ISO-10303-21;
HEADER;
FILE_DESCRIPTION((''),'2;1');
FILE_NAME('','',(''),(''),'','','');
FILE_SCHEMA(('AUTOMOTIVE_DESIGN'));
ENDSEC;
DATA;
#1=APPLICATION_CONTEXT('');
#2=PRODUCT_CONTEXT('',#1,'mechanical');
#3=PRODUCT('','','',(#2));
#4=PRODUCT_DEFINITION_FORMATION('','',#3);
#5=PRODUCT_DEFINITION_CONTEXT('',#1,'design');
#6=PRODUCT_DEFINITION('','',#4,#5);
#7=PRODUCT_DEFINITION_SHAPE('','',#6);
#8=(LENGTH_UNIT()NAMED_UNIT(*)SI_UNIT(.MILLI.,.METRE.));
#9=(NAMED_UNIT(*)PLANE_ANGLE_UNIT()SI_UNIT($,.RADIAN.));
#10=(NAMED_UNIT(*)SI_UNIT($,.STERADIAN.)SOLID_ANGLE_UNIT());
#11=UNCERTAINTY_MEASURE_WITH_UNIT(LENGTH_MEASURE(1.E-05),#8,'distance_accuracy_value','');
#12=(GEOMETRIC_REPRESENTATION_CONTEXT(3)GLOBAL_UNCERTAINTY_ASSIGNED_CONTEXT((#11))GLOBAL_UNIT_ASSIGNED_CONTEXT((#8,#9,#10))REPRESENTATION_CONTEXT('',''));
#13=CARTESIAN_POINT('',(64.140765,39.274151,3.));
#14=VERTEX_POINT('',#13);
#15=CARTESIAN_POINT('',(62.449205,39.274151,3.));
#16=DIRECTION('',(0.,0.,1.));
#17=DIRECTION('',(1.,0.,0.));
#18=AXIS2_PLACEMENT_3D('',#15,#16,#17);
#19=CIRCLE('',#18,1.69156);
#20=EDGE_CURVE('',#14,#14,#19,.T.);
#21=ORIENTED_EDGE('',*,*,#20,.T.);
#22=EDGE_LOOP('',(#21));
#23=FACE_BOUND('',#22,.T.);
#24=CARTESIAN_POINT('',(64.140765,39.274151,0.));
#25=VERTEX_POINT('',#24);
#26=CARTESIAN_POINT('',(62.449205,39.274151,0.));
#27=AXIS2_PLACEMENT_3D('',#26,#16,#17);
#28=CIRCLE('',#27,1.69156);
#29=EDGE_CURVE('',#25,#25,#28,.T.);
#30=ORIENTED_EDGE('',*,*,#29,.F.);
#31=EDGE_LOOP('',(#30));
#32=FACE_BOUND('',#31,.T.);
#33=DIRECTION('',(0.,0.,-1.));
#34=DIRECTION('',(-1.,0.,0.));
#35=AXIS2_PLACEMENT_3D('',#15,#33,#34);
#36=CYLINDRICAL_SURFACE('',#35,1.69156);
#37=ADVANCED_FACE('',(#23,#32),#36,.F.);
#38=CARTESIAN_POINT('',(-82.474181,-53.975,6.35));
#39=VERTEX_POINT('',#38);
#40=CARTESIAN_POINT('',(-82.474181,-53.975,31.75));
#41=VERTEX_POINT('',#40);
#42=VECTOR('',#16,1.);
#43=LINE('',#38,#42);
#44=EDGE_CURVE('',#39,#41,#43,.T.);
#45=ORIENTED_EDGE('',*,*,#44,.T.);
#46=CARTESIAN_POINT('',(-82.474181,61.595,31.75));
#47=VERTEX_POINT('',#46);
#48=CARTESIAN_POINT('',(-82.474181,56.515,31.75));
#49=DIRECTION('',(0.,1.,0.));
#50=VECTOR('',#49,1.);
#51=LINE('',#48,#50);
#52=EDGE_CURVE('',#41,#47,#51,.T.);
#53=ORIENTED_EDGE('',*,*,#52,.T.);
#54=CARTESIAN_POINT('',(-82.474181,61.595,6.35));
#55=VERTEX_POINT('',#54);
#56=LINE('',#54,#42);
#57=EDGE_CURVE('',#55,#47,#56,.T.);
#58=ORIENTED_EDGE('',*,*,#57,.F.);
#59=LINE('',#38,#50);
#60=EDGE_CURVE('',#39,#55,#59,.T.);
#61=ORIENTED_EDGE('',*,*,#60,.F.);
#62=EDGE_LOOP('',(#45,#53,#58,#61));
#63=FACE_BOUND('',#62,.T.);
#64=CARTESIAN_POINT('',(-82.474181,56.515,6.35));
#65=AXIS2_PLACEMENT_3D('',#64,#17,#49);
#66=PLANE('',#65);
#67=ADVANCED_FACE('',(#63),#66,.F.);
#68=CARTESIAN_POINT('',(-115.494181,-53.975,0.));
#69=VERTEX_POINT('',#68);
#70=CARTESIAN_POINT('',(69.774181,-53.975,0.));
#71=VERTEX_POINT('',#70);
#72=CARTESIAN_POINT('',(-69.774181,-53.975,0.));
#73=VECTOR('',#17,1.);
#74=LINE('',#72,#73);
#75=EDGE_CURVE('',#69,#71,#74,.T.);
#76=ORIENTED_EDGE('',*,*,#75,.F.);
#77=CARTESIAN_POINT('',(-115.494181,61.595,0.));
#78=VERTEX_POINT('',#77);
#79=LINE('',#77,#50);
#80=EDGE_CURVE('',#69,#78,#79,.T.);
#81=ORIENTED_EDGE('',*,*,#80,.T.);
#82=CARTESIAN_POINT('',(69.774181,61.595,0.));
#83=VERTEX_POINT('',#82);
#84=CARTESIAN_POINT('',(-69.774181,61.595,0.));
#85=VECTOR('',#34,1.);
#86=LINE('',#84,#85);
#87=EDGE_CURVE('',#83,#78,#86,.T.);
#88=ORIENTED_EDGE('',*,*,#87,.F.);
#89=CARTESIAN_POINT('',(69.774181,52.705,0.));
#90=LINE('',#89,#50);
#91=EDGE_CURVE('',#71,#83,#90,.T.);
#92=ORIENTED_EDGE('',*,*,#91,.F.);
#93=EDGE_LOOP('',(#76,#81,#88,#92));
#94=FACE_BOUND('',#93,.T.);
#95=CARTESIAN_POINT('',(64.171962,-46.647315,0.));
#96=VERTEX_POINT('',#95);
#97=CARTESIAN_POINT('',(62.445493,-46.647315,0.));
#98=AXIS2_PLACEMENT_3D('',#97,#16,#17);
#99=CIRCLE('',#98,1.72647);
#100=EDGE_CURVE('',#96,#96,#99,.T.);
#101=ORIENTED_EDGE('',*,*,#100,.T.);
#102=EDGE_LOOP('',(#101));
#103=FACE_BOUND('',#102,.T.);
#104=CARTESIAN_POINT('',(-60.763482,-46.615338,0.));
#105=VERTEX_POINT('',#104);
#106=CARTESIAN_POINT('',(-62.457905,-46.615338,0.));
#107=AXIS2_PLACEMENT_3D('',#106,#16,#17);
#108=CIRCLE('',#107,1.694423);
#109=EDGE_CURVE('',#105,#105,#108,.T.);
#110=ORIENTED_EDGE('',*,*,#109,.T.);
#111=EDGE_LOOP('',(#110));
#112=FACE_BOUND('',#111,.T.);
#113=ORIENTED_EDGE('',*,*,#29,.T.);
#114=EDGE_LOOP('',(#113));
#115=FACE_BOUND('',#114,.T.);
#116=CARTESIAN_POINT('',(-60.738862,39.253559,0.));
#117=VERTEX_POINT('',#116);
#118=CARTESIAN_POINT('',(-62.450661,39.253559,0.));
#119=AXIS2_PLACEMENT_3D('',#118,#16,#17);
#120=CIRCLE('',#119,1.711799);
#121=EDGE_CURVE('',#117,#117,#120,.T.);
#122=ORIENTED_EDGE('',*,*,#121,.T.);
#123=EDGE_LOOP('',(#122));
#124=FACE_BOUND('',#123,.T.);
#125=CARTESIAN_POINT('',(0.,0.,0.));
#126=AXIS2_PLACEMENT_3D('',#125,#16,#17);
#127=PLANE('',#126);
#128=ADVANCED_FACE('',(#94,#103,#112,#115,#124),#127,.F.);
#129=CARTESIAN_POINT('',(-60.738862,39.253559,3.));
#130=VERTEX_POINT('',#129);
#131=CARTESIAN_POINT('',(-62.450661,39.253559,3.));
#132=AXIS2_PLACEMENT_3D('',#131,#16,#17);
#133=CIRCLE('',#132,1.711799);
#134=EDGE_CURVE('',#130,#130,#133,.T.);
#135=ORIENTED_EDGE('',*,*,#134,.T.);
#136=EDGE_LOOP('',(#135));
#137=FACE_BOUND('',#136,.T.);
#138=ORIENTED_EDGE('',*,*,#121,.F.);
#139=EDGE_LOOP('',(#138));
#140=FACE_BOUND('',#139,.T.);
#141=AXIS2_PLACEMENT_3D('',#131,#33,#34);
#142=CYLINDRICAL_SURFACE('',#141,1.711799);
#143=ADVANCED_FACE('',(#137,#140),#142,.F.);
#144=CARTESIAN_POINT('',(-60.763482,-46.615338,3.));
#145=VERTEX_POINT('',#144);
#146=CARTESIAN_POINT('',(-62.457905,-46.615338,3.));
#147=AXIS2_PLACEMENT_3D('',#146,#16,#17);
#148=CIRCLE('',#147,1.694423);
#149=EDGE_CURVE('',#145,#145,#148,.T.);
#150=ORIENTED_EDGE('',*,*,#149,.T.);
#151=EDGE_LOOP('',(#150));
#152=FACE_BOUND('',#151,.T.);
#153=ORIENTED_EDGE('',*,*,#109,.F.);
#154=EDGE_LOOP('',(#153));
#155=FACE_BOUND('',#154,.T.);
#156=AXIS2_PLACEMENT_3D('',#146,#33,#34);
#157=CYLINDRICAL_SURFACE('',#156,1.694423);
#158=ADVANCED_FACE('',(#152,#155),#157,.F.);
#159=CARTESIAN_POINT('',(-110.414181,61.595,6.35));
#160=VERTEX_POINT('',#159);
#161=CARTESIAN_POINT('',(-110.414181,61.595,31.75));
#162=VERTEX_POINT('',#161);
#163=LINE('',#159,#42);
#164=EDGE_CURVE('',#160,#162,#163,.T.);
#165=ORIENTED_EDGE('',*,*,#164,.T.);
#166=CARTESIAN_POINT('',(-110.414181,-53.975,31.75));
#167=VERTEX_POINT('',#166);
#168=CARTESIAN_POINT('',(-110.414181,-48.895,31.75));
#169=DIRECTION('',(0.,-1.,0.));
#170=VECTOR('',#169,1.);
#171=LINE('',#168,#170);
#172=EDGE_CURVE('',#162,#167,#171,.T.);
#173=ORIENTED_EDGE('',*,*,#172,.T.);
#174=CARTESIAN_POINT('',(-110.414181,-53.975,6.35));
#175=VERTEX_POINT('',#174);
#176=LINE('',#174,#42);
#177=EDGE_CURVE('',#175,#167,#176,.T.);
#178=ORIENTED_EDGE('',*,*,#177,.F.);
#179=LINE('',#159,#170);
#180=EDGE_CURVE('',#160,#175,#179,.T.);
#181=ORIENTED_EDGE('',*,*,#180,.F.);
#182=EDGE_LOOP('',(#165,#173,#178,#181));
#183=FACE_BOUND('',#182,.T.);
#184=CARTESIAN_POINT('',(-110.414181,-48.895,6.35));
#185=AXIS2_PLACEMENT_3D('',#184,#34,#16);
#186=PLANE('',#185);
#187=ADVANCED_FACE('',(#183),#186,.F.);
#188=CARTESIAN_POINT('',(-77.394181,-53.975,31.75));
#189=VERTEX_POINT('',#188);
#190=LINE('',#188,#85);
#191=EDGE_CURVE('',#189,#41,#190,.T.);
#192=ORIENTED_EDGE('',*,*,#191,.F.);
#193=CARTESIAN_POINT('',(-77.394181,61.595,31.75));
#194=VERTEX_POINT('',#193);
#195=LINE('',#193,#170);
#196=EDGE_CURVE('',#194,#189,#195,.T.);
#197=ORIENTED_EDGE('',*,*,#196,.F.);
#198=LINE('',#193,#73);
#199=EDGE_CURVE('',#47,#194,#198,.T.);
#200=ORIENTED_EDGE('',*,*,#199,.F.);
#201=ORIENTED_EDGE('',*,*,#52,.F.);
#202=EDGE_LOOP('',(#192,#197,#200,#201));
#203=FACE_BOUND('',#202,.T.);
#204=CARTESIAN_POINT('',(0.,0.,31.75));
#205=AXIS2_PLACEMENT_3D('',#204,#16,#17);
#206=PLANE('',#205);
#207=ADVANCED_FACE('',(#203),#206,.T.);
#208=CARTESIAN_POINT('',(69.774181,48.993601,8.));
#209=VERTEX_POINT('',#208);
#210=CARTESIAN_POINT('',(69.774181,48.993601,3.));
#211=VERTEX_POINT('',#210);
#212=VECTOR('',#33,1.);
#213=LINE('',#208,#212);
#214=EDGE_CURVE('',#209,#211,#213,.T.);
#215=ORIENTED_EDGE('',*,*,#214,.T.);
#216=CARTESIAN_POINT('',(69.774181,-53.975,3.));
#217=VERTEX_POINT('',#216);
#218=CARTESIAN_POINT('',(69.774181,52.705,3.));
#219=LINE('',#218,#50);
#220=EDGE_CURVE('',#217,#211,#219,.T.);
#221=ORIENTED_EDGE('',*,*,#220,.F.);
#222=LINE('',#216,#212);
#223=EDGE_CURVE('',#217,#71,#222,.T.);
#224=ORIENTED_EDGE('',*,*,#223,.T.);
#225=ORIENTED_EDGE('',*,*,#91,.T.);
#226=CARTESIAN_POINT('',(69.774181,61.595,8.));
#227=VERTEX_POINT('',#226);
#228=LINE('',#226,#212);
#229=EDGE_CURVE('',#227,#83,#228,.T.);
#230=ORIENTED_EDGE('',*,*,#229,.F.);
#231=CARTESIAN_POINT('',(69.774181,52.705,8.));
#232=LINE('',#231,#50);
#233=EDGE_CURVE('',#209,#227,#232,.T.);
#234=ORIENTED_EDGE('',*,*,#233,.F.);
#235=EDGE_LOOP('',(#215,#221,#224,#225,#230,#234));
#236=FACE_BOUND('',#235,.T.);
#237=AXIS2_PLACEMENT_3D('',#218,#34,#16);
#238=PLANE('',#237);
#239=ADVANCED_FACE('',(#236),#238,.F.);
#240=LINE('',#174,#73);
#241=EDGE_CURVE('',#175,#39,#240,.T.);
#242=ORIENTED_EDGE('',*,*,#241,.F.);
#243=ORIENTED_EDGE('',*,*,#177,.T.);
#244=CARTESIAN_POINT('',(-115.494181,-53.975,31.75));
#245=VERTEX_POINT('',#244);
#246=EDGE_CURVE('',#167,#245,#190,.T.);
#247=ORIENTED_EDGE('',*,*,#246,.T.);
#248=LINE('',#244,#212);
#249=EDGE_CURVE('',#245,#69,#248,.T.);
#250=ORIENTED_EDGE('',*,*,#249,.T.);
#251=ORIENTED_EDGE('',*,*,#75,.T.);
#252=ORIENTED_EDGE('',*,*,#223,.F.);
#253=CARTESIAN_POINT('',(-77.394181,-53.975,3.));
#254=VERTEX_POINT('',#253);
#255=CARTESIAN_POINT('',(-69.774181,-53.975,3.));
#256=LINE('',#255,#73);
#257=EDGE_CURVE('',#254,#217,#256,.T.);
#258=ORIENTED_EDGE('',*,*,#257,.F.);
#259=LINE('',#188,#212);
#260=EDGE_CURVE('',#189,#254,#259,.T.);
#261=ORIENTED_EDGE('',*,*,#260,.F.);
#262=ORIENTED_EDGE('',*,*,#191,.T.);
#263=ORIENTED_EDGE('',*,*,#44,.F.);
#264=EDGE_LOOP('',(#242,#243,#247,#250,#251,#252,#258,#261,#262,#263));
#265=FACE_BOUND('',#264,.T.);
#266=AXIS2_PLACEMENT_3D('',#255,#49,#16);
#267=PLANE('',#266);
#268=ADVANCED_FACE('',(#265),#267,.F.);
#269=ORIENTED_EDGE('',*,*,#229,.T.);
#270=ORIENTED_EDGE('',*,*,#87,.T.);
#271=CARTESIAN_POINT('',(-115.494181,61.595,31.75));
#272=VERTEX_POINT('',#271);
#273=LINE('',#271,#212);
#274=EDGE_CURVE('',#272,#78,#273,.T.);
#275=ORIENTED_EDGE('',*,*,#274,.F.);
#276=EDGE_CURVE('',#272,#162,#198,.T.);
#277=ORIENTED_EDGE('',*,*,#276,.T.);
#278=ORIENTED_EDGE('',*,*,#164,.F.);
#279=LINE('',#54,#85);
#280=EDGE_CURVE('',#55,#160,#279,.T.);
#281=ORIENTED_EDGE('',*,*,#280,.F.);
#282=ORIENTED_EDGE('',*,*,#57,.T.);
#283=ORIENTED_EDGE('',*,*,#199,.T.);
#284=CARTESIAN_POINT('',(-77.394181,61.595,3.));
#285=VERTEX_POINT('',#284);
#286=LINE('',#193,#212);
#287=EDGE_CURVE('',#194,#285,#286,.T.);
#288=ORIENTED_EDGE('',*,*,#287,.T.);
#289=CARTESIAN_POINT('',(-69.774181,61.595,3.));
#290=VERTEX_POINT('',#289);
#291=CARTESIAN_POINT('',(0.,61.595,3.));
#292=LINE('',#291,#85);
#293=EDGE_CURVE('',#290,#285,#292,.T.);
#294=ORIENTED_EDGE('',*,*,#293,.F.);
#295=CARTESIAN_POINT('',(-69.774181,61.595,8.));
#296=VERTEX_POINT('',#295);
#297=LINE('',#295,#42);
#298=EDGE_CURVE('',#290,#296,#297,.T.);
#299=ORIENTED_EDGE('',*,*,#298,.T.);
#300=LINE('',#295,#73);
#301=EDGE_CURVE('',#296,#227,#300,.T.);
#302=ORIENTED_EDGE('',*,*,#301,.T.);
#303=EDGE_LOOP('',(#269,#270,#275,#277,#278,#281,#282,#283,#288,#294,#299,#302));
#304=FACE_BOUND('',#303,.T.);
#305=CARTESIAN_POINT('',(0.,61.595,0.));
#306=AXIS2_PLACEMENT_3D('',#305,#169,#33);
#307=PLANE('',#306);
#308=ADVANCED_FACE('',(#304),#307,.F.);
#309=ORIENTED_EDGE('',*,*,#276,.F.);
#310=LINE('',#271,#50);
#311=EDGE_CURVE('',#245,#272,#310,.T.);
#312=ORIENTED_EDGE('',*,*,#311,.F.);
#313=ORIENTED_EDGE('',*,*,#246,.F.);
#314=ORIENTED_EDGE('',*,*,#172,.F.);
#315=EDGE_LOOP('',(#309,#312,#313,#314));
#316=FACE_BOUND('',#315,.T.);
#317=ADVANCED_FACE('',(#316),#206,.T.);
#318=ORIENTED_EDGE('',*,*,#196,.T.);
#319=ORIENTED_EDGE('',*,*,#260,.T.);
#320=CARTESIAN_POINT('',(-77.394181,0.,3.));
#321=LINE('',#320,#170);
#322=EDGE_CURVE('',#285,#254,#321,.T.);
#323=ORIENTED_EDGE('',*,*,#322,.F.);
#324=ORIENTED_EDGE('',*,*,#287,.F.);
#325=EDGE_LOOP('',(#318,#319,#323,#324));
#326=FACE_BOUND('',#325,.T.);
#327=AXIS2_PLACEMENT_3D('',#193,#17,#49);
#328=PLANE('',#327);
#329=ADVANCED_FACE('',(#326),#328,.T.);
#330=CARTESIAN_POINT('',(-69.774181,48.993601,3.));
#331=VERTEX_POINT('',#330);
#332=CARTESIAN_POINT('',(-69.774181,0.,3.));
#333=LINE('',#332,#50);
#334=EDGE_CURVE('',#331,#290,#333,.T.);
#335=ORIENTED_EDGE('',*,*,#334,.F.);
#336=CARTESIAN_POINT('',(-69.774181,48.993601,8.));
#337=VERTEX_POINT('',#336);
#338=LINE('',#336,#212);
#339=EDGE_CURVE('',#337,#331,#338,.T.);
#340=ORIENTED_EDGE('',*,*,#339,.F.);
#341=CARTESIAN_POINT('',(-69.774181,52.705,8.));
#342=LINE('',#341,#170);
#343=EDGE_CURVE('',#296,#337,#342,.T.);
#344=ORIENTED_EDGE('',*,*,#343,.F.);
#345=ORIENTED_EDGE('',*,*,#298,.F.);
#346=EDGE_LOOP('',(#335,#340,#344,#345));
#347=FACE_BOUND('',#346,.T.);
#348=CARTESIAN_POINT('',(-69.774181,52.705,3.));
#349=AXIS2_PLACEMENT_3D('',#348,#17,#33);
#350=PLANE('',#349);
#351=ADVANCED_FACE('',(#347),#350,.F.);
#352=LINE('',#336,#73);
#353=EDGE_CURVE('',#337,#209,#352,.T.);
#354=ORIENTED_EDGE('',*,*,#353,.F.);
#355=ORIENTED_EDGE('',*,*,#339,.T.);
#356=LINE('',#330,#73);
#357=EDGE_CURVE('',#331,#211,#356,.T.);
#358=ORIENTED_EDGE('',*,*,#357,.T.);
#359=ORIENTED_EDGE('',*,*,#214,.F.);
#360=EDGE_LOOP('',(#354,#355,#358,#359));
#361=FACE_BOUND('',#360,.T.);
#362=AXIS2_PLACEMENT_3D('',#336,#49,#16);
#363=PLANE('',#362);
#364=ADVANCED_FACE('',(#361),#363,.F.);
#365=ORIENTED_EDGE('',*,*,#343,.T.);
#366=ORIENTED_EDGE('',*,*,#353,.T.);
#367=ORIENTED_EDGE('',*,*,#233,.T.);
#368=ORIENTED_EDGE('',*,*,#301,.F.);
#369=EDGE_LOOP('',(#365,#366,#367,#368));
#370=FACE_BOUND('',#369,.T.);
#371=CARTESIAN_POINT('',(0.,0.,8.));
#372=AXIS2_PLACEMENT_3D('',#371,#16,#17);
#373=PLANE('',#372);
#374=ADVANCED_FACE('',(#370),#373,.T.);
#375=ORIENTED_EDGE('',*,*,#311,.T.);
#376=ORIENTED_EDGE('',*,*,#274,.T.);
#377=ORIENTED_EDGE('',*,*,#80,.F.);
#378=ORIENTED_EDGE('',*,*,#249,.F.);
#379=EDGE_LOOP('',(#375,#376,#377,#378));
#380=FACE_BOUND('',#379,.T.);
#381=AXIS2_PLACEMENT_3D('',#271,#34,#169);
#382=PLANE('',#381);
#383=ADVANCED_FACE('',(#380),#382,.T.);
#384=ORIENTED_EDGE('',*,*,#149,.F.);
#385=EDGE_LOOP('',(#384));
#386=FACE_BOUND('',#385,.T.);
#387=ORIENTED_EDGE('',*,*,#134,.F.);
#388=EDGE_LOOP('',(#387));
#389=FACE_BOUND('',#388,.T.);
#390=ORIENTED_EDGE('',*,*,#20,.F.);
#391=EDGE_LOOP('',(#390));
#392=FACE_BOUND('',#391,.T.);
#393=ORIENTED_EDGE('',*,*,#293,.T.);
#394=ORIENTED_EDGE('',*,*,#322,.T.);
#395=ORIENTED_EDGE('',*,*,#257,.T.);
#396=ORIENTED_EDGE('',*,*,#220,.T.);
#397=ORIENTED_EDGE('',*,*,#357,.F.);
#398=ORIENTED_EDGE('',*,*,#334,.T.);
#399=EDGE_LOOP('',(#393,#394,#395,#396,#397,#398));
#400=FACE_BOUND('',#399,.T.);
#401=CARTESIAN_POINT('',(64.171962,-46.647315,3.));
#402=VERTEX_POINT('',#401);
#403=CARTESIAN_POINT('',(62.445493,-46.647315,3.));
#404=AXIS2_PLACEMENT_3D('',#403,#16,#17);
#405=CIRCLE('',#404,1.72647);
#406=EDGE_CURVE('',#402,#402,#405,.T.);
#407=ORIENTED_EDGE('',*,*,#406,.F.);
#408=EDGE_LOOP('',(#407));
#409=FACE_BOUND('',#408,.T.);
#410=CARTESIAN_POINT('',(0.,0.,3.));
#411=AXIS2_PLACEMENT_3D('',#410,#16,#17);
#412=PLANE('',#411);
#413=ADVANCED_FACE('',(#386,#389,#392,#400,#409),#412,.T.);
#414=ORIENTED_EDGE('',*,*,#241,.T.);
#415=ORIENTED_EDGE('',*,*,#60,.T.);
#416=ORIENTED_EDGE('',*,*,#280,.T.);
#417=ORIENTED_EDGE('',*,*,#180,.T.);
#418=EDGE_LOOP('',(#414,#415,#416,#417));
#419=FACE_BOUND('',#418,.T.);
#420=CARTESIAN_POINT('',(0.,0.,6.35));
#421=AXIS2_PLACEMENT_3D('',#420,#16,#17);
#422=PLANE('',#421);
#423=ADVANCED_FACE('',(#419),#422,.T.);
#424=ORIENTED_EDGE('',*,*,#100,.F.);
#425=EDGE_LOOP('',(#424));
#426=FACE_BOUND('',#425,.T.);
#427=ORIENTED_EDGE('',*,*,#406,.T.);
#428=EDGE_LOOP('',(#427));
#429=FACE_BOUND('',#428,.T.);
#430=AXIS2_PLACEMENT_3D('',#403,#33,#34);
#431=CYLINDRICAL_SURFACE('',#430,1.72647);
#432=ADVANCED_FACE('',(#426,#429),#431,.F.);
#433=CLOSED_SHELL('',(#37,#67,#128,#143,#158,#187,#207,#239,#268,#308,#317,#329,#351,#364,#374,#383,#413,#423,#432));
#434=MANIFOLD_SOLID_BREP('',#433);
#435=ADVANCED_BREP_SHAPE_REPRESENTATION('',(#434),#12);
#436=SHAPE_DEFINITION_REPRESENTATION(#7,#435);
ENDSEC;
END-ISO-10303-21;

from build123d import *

# Parameters (mm, degrees)
SKETCH2_W           = 139.548362388
SKETCH2_H           = 106.68
SKETCH2_R           = 1.694422917
SKETCH2_R_2         = 1.72646965
SKETCH2_R_3         = 1.691560161
SKETCH2_R_4         = 1.711798923
BOSS_EXTRUDE1_DEPTH = 3
SKETCH3_W           = 139.548362388
SKETCH3_H           = 3.711398725
BOSS_EXTRUDE3_DEPTH = 5
SKETCH5_W           = 139.548362388
SKETCH5_H           = 8
BOSS_EXTRUDE4_DEPTH = 8.89
SKETCH11_W          = 7.62
SKETCH11_H          = 115.57
BOSS_EXTRUDE6_DEPTH = 3
SKETCH12_W          = 38.1
SKETCH12_H          = 115.57
BOSS_EXTRUDE7_DEPTH = 31.75
CUT_EXTRUDE5_DEPTH  = 25.4


with BuildPart() as part:
    # Sketch2 → Boss-Extrude1 (new body)
    with BuildSketch(Plane.XY):
        with Locations((0, -0.635)):
            Rectangle(SKETCH2_W, SKETCH2_H)
        with Locations((-62.457904908, -46.615338173)):
            Circle(SKETCH2_R, mode=Mode.SUBTRACT)
        with Locations((62.445492634, -46.647315498)):
            Circle(SKETCH2_R_2, mode=Mode.SUBTRACT)
        with Locations((62.449204631, 39.274150641)):
            Circle(SKETCH2_R_3, mode=Mode.SUBTRACT)
        with Locations((-62.450661347, 39.253558779)):
            Circle(SKETCH2_R_4, mode=Mode.SUBTRACT)
    extrude(amount=BOSS_EXTRUDE1_DEPTH)

    # Sketch3 → Boss-Extrude3 (add)
    with BuildSketch(Plane.XY.offset(3)):
        with Locations((0, 50.849300638)):
            Rectangle(SKETCH3_W, SKETCH3_H)
    extrude(amount=BOSS_EXTRUDE3_DEPTH)

    # Sketch5 → Boss-Extrude4 (add)
    with BuildSketch(Plane(origin=(0, 52.705, 0), x_dir=(1, 0, 0), z_dir=(0, 1, 0))):
        with Locations((0, -4)):
            Rectangle(SKETCH5_W, SKETCH5_H)
    extrude(amount=BOSS_EXTRUDE4_DEPTH)

    # Sketch11 → Boss-Extrude6 (add)
    with BuildSketch(Plane(origin=(0, 0, 0), x_dir=(-1, 0, 0), z_dir=(0, 0, -1))):
        with Locations((73.584181194, 3.81)):
            Rectangle(SKETCH11_W, SKETCH11_H)
    extrude(amount=-BOSS_EXTRUDE6_DEPTH)

    # Sketch12 → Boss-Extrude7 (add)
    with BuildSketch(Plane(origin=(0, 0, 0), x_dir=(-1, 0, 0), z_dir=(0, 0, -1))):
        with Locations((96.444181194, 3.81)):
            Rectangle(SKETCH12_W, SKETCH12_H)
    extrude(amount=-BOSS_EXTRUDE7_DEPTH)

    # Sketch13 → Cut-Extrude5 (cut)
    with BuildSketch(Plane.XY.offset(31.75)):
        Polygon((-110.414181194, -48.895), (-110.414181194, -53.975), (-82.474181194, -53.975), (-82.474181194, -48.895), (-82.474181194, 56.515), (-82.474181194, 61.595), (-110.414181194, 61.595), (-110.414181194, 56.515), align=None)
    extrude(amount=-CUT_EXTRUDE5_DEPTH, mode=Mode.SUBTRACT)


solid = part.part
